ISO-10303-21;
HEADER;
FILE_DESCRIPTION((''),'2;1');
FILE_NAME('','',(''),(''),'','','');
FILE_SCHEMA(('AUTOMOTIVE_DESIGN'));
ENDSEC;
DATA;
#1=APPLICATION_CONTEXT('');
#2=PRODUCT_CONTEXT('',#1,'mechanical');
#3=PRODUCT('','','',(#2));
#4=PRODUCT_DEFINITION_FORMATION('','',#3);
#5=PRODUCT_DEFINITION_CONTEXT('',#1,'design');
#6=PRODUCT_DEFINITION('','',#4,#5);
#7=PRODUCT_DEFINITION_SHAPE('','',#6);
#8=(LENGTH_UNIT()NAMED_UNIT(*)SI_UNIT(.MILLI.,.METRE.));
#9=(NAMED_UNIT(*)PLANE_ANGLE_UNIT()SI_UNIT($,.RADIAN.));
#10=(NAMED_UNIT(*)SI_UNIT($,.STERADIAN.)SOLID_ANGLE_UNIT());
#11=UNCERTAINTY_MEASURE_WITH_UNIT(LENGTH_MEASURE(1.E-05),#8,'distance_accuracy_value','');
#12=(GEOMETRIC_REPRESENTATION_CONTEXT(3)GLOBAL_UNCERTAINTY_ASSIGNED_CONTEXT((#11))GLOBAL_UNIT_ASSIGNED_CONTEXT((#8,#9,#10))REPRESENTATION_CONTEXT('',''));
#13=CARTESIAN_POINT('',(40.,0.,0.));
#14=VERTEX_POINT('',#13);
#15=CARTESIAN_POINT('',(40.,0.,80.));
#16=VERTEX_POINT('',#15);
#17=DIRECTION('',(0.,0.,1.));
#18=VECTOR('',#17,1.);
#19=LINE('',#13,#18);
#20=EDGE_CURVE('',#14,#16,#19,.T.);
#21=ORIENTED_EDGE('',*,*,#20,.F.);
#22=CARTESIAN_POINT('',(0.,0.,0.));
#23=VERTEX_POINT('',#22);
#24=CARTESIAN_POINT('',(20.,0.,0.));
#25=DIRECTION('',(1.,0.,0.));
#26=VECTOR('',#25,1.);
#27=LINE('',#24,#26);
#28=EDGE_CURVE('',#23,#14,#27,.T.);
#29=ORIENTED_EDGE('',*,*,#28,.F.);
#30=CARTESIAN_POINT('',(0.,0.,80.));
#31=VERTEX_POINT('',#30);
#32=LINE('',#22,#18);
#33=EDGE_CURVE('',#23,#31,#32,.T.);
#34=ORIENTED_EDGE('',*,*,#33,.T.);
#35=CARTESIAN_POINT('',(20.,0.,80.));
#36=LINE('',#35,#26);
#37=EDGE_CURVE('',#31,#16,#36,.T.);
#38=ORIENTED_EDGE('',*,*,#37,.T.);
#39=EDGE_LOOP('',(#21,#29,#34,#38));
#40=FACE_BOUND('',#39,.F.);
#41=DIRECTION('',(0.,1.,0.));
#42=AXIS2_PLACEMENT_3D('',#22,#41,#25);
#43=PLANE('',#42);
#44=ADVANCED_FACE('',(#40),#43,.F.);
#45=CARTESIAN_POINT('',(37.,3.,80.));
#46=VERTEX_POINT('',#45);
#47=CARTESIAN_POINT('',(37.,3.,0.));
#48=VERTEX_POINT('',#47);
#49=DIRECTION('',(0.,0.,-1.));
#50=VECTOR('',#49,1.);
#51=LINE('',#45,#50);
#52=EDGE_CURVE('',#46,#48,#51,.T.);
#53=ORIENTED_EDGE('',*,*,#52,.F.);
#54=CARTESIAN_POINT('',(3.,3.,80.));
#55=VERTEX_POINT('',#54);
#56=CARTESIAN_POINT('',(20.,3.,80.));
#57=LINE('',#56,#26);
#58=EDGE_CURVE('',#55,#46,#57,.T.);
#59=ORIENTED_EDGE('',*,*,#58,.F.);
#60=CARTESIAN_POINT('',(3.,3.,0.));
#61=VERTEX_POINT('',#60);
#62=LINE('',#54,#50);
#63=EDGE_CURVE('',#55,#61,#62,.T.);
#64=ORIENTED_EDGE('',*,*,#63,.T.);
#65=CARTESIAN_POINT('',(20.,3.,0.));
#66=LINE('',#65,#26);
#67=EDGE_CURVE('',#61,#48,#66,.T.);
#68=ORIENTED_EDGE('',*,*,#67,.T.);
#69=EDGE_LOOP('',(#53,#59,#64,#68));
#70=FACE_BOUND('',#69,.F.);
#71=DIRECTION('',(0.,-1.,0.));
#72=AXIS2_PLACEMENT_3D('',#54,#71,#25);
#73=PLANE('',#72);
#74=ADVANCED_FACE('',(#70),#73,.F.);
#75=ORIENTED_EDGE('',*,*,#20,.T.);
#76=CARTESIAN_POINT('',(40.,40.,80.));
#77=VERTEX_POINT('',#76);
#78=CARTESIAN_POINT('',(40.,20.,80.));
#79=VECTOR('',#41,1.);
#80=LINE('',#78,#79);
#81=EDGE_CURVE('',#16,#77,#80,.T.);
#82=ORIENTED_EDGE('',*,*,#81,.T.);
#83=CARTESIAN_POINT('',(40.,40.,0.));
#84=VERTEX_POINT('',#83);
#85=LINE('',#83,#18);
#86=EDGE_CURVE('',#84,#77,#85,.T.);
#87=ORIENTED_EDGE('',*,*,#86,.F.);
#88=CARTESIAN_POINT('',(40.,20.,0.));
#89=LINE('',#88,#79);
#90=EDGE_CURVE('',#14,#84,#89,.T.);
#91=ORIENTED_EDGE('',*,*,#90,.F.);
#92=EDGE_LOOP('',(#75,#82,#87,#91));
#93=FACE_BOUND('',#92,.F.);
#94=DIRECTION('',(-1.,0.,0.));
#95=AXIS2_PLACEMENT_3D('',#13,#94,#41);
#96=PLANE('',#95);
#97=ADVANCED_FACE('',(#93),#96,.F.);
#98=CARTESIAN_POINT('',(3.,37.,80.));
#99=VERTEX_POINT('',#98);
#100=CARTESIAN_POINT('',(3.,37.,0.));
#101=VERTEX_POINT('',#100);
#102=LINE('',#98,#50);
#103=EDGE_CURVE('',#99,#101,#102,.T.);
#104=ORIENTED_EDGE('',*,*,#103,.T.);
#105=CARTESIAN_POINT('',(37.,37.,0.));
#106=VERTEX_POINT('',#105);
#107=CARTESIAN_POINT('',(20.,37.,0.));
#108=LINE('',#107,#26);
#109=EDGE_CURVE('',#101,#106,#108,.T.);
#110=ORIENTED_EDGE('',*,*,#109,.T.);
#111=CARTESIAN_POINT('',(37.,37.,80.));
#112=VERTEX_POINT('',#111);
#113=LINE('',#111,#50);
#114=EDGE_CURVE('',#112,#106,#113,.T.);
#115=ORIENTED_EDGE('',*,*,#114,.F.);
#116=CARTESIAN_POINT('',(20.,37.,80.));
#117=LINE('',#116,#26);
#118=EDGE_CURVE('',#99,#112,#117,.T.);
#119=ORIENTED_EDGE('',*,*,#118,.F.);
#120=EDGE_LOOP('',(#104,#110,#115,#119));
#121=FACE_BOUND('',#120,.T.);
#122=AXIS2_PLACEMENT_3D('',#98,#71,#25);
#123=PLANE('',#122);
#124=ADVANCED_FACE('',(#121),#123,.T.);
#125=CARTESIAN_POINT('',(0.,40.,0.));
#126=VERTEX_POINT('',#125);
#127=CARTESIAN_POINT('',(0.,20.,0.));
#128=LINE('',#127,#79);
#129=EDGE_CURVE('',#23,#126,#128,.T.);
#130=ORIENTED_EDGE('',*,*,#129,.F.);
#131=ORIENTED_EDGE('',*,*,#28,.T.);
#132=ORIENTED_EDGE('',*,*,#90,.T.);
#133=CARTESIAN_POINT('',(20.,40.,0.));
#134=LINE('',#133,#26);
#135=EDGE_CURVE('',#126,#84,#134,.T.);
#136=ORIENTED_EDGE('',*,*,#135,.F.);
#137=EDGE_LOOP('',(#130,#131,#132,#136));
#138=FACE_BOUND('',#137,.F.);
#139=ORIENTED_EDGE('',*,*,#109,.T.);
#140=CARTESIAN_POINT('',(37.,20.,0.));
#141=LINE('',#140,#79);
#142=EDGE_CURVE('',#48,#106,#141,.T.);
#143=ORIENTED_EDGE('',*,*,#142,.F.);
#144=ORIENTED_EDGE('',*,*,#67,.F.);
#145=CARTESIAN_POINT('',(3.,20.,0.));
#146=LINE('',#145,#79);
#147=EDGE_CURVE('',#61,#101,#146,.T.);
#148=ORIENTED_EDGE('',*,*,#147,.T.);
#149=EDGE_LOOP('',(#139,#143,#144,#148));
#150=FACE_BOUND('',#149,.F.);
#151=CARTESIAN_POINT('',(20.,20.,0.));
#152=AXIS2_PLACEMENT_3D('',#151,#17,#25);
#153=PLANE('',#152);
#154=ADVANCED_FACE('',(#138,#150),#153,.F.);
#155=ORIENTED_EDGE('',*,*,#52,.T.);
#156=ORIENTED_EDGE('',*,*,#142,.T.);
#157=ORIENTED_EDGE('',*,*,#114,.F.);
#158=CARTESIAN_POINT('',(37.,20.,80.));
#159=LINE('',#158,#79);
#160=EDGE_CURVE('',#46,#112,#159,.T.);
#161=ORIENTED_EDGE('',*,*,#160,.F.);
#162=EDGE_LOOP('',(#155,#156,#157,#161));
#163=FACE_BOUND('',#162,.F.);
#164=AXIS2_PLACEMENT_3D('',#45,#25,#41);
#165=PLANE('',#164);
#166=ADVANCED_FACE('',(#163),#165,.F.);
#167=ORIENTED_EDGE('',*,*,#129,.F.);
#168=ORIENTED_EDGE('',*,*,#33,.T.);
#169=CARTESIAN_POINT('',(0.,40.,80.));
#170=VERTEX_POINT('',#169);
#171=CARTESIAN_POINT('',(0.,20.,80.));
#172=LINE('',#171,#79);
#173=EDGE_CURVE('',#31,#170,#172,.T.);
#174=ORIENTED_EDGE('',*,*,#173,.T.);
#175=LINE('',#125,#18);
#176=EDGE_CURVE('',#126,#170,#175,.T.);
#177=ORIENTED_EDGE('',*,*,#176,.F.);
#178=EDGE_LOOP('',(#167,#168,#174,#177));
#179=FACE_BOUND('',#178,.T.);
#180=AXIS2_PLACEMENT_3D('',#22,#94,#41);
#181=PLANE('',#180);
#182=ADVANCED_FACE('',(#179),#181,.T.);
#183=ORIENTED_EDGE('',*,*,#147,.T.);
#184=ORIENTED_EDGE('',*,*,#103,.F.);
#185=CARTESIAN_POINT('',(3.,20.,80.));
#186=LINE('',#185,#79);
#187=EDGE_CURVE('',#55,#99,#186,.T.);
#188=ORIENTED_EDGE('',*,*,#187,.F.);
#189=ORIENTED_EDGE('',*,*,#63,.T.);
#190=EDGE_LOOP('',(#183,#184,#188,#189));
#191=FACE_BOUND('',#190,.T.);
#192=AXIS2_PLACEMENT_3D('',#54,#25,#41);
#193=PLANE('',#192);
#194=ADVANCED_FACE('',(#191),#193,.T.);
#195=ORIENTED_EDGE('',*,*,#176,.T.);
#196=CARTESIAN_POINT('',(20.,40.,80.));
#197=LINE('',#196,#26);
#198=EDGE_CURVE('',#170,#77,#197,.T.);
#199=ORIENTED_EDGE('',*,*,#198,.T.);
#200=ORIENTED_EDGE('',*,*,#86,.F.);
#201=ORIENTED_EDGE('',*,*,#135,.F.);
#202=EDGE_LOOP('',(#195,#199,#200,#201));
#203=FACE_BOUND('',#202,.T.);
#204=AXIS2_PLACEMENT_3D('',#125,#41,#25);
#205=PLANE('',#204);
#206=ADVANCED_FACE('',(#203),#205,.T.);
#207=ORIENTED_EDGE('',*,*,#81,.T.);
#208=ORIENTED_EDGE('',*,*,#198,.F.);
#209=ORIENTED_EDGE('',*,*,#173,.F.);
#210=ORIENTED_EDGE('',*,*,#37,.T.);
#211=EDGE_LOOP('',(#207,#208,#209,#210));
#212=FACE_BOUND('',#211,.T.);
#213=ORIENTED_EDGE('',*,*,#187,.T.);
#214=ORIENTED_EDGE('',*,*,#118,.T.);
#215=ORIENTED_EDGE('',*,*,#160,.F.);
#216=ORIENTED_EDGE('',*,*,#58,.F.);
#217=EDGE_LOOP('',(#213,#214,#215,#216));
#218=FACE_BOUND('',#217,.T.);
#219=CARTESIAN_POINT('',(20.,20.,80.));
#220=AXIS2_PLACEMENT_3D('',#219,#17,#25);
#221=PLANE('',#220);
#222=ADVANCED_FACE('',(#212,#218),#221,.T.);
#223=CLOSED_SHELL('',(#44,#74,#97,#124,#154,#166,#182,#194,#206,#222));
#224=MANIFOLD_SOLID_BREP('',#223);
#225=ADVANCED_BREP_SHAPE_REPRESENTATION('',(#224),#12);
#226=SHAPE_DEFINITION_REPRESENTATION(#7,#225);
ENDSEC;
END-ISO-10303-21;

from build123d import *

# Parameters (mm, degrees)
SKETCH_W     = 40
SKETCH_H     = 40
PAD_DEPTH    = 80
SKETCH001_W  = 34
SKETCH001_H  = 34
POCKET_DEPTH = 80


with BuildPart() as part:
    # Sketch → Pad (new body)
    with BuildSketch(Plane.XY):
        with Locations((20, 20)):
            Rectangle(SKETCH_W, SKETCH_H)
    extrude(amount=PAD_DEPTH)

    # Sketch001 (on Face6 of Pad) → Pocket (cut)
    with BuildSketch(Plane.XY.offset(80)):
        with Locations((20, 20)):
            Rectangle(SKETCH001_W, SKETCH001_H)
    extrude(amount=-POCKET_DEPTH, mode=Mode.SUBTRACT)


solid = part.part
